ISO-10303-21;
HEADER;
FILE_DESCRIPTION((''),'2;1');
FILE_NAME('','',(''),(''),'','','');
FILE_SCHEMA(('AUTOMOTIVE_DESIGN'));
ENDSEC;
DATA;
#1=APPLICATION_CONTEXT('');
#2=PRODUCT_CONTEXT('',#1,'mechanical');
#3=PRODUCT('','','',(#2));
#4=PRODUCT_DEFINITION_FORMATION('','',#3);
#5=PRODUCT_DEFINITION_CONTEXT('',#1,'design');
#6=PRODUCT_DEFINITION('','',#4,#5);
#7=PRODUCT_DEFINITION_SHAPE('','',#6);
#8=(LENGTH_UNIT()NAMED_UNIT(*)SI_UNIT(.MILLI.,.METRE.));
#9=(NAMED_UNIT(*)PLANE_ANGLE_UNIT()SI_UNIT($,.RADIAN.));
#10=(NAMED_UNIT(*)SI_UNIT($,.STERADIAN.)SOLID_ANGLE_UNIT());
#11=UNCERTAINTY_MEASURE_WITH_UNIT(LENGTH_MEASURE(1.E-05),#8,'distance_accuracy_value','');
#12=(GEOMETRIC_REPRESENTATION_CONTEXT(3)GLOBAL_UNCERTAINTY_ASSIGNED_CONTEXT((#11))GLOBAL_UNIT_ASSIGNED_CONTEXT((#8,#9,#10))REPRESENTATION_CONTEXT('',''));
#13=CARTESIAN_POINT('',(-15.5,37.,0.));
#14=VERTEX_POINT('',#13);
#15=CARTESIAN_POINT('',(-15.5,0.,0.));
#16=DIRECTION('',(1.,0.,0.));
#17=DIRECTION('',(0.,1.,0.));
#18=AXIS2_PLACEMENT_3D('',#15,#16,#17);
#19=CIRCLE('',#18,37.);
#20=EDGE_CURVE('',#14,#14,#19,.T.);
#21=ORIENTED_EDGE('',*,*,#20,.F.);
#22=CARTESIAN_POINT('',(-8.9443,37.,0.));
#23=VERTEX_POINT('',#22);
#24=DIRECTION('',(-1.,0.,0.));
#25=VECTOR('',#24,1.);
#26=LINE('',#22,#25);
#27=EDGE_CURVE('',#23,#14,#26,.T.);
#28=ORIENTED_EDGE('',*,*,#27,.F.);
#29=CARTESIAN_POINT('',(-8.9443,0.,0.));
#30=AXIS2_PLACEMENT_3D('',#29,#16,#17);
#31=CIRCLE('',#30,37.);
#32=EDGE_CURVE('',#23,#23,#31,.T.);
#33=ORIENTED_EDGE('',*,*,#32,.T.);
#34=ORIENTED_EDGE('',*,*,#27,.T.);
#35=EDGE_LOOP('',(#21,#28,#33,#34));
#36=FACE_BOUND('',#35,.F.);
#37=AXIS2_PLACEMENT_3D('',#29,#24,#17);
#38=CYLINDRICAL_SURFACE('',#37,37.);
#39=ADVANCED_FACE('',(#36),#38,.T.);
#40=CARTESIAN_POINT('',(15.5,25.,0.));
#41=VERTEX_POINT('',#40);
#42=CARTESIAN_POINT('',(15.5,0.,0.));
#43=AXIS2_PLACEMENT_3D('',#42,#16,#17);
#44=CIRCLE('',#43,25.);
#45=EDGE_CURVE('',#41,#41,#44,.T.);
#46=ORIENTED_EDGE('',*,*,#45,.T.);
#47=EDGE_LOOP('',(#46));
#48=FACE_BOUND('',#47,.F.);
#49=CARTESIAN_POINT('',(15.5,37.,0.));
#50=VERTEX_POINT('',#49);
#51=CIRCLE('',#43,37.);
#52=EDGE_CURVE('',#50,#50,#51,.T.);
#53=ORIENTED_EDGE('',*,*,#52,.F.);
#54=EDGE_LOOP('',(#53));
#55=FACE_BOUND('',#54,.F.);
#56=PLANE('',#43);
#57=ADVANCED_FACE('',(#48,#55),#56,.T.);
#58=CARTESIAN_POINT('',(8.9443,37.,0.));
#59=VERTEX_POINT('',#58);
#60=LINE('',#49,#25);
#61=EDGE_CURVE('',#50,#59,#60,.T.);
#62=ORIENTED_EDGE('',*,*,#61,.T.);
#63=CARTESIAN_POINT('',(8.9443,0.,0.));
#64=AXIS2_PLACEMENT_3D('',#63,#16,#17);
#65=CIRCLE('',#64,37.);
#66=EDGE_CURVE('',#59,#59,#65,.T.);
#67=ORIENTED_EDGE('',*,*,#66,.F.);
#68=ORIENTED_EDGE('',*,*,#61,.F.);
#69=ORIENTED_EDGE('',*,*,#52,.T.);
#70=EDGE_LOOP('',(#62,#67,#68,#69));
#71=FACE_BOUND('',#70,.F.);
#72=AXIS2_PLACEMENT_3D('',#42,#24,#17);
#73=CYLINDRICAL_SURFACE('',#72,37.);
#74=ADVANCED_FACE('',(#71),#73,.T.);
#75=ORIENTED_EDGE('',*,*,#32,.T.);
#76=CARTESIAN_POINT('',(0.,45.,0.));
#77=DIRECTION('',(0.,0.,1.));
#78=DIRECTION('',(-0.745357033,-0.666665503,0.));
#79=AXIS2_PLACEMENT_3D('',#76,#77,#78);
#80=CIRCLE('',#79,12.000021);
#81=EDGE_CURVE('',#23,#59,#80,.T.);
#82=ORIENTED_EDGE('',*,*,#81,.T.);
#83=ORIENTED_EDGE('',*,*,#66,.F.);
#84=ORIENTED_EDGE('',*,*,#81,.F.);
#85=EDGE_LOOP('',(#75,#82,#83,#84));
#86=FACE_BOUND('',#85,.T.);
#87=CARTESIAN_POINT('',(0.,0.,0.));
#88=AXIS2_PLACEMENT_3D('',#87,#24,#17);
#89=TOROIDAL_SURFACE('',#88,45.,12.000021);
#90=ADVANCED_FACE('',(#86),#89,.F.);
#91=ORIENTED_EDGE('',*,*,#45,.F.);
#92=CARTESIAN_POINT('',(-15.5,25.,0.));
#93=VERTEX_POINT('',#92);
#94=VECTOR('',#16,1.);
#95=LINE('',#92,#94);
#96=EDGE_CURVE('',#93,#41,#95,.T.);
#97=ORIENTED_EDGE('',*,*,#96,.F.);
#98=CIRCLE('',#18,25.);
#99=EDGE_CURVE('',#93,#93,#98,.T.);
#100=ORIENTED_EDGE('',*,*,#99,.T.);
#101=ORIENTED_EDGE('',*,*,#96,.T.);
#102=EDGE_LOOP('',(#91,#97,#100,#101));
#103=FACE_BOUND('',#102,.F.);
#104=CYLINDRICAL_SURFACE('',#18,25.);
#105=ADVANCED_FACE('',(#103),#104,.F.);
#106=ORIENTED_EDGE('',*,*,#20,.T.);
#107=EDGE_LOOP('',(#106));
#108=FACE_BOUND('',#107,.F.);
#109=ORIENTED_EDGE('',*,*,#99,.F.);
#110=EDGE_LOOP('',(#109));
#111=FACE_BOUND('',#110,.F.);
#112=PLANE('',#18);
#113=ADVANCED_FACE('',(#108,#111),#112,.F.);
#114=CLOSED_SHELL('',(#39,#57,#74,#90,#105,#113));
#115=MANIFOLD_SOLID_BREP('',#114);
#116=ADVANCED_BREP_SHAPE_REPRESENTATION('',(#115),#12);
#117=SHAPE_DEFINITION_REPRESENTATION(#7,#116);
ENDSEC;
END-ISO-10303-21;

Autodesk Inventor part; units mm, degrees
ref_plane "YZ Plane" through (0, 0, 0) normal (1, 0, 0) x (0, 1, 0)
ref_plane "XY Plane" through (0, 0, 0) normal (0, 0, 1) x (1, 0, 0)
sketch "Sketch2" plane through (0, 0, 0) normal (0, 0, 1) x (1, 0, 0)
  line L0 (-15.5, 25) -> (15.5, 25)
  line L1 (15.5, 25) -> (15.5, 37)
  line L2 (-15.5, 37) -> (-15.5, 25)
  line L3 (-15.5, 25) -> (15.5, 37) construction
  line L4 (15.5, 25) -> (-15.5, 37) construction
  line L5 (0, 0) -> (0, 25) construction
  line L6 (0, 37) -> (0, 45) construction
  arc A0 (-8.9443, 37) -> (8.9443, 37) centre (0, 45) ccw
  line L7 (15.5, 37) -> (8.9443, 37)
  line L8 (-8.9443, 37) -> (-15.5, 37)
  line L9 (-36.1867, 0) -> (33.6957, 0) construction
  point P0 (0, 33)
  dimension "d2" = 12
  dimension "d3" = 25
  dimension "d4" = 8
  dimension "d6" = 12
  dimension "d7" = 31
revolve "Revolution1" add sketch "Sketch2" angle 360 about axis through (-36.1867, 0, 0) along (1, 0, 0)
properties part number "Inner ring"
